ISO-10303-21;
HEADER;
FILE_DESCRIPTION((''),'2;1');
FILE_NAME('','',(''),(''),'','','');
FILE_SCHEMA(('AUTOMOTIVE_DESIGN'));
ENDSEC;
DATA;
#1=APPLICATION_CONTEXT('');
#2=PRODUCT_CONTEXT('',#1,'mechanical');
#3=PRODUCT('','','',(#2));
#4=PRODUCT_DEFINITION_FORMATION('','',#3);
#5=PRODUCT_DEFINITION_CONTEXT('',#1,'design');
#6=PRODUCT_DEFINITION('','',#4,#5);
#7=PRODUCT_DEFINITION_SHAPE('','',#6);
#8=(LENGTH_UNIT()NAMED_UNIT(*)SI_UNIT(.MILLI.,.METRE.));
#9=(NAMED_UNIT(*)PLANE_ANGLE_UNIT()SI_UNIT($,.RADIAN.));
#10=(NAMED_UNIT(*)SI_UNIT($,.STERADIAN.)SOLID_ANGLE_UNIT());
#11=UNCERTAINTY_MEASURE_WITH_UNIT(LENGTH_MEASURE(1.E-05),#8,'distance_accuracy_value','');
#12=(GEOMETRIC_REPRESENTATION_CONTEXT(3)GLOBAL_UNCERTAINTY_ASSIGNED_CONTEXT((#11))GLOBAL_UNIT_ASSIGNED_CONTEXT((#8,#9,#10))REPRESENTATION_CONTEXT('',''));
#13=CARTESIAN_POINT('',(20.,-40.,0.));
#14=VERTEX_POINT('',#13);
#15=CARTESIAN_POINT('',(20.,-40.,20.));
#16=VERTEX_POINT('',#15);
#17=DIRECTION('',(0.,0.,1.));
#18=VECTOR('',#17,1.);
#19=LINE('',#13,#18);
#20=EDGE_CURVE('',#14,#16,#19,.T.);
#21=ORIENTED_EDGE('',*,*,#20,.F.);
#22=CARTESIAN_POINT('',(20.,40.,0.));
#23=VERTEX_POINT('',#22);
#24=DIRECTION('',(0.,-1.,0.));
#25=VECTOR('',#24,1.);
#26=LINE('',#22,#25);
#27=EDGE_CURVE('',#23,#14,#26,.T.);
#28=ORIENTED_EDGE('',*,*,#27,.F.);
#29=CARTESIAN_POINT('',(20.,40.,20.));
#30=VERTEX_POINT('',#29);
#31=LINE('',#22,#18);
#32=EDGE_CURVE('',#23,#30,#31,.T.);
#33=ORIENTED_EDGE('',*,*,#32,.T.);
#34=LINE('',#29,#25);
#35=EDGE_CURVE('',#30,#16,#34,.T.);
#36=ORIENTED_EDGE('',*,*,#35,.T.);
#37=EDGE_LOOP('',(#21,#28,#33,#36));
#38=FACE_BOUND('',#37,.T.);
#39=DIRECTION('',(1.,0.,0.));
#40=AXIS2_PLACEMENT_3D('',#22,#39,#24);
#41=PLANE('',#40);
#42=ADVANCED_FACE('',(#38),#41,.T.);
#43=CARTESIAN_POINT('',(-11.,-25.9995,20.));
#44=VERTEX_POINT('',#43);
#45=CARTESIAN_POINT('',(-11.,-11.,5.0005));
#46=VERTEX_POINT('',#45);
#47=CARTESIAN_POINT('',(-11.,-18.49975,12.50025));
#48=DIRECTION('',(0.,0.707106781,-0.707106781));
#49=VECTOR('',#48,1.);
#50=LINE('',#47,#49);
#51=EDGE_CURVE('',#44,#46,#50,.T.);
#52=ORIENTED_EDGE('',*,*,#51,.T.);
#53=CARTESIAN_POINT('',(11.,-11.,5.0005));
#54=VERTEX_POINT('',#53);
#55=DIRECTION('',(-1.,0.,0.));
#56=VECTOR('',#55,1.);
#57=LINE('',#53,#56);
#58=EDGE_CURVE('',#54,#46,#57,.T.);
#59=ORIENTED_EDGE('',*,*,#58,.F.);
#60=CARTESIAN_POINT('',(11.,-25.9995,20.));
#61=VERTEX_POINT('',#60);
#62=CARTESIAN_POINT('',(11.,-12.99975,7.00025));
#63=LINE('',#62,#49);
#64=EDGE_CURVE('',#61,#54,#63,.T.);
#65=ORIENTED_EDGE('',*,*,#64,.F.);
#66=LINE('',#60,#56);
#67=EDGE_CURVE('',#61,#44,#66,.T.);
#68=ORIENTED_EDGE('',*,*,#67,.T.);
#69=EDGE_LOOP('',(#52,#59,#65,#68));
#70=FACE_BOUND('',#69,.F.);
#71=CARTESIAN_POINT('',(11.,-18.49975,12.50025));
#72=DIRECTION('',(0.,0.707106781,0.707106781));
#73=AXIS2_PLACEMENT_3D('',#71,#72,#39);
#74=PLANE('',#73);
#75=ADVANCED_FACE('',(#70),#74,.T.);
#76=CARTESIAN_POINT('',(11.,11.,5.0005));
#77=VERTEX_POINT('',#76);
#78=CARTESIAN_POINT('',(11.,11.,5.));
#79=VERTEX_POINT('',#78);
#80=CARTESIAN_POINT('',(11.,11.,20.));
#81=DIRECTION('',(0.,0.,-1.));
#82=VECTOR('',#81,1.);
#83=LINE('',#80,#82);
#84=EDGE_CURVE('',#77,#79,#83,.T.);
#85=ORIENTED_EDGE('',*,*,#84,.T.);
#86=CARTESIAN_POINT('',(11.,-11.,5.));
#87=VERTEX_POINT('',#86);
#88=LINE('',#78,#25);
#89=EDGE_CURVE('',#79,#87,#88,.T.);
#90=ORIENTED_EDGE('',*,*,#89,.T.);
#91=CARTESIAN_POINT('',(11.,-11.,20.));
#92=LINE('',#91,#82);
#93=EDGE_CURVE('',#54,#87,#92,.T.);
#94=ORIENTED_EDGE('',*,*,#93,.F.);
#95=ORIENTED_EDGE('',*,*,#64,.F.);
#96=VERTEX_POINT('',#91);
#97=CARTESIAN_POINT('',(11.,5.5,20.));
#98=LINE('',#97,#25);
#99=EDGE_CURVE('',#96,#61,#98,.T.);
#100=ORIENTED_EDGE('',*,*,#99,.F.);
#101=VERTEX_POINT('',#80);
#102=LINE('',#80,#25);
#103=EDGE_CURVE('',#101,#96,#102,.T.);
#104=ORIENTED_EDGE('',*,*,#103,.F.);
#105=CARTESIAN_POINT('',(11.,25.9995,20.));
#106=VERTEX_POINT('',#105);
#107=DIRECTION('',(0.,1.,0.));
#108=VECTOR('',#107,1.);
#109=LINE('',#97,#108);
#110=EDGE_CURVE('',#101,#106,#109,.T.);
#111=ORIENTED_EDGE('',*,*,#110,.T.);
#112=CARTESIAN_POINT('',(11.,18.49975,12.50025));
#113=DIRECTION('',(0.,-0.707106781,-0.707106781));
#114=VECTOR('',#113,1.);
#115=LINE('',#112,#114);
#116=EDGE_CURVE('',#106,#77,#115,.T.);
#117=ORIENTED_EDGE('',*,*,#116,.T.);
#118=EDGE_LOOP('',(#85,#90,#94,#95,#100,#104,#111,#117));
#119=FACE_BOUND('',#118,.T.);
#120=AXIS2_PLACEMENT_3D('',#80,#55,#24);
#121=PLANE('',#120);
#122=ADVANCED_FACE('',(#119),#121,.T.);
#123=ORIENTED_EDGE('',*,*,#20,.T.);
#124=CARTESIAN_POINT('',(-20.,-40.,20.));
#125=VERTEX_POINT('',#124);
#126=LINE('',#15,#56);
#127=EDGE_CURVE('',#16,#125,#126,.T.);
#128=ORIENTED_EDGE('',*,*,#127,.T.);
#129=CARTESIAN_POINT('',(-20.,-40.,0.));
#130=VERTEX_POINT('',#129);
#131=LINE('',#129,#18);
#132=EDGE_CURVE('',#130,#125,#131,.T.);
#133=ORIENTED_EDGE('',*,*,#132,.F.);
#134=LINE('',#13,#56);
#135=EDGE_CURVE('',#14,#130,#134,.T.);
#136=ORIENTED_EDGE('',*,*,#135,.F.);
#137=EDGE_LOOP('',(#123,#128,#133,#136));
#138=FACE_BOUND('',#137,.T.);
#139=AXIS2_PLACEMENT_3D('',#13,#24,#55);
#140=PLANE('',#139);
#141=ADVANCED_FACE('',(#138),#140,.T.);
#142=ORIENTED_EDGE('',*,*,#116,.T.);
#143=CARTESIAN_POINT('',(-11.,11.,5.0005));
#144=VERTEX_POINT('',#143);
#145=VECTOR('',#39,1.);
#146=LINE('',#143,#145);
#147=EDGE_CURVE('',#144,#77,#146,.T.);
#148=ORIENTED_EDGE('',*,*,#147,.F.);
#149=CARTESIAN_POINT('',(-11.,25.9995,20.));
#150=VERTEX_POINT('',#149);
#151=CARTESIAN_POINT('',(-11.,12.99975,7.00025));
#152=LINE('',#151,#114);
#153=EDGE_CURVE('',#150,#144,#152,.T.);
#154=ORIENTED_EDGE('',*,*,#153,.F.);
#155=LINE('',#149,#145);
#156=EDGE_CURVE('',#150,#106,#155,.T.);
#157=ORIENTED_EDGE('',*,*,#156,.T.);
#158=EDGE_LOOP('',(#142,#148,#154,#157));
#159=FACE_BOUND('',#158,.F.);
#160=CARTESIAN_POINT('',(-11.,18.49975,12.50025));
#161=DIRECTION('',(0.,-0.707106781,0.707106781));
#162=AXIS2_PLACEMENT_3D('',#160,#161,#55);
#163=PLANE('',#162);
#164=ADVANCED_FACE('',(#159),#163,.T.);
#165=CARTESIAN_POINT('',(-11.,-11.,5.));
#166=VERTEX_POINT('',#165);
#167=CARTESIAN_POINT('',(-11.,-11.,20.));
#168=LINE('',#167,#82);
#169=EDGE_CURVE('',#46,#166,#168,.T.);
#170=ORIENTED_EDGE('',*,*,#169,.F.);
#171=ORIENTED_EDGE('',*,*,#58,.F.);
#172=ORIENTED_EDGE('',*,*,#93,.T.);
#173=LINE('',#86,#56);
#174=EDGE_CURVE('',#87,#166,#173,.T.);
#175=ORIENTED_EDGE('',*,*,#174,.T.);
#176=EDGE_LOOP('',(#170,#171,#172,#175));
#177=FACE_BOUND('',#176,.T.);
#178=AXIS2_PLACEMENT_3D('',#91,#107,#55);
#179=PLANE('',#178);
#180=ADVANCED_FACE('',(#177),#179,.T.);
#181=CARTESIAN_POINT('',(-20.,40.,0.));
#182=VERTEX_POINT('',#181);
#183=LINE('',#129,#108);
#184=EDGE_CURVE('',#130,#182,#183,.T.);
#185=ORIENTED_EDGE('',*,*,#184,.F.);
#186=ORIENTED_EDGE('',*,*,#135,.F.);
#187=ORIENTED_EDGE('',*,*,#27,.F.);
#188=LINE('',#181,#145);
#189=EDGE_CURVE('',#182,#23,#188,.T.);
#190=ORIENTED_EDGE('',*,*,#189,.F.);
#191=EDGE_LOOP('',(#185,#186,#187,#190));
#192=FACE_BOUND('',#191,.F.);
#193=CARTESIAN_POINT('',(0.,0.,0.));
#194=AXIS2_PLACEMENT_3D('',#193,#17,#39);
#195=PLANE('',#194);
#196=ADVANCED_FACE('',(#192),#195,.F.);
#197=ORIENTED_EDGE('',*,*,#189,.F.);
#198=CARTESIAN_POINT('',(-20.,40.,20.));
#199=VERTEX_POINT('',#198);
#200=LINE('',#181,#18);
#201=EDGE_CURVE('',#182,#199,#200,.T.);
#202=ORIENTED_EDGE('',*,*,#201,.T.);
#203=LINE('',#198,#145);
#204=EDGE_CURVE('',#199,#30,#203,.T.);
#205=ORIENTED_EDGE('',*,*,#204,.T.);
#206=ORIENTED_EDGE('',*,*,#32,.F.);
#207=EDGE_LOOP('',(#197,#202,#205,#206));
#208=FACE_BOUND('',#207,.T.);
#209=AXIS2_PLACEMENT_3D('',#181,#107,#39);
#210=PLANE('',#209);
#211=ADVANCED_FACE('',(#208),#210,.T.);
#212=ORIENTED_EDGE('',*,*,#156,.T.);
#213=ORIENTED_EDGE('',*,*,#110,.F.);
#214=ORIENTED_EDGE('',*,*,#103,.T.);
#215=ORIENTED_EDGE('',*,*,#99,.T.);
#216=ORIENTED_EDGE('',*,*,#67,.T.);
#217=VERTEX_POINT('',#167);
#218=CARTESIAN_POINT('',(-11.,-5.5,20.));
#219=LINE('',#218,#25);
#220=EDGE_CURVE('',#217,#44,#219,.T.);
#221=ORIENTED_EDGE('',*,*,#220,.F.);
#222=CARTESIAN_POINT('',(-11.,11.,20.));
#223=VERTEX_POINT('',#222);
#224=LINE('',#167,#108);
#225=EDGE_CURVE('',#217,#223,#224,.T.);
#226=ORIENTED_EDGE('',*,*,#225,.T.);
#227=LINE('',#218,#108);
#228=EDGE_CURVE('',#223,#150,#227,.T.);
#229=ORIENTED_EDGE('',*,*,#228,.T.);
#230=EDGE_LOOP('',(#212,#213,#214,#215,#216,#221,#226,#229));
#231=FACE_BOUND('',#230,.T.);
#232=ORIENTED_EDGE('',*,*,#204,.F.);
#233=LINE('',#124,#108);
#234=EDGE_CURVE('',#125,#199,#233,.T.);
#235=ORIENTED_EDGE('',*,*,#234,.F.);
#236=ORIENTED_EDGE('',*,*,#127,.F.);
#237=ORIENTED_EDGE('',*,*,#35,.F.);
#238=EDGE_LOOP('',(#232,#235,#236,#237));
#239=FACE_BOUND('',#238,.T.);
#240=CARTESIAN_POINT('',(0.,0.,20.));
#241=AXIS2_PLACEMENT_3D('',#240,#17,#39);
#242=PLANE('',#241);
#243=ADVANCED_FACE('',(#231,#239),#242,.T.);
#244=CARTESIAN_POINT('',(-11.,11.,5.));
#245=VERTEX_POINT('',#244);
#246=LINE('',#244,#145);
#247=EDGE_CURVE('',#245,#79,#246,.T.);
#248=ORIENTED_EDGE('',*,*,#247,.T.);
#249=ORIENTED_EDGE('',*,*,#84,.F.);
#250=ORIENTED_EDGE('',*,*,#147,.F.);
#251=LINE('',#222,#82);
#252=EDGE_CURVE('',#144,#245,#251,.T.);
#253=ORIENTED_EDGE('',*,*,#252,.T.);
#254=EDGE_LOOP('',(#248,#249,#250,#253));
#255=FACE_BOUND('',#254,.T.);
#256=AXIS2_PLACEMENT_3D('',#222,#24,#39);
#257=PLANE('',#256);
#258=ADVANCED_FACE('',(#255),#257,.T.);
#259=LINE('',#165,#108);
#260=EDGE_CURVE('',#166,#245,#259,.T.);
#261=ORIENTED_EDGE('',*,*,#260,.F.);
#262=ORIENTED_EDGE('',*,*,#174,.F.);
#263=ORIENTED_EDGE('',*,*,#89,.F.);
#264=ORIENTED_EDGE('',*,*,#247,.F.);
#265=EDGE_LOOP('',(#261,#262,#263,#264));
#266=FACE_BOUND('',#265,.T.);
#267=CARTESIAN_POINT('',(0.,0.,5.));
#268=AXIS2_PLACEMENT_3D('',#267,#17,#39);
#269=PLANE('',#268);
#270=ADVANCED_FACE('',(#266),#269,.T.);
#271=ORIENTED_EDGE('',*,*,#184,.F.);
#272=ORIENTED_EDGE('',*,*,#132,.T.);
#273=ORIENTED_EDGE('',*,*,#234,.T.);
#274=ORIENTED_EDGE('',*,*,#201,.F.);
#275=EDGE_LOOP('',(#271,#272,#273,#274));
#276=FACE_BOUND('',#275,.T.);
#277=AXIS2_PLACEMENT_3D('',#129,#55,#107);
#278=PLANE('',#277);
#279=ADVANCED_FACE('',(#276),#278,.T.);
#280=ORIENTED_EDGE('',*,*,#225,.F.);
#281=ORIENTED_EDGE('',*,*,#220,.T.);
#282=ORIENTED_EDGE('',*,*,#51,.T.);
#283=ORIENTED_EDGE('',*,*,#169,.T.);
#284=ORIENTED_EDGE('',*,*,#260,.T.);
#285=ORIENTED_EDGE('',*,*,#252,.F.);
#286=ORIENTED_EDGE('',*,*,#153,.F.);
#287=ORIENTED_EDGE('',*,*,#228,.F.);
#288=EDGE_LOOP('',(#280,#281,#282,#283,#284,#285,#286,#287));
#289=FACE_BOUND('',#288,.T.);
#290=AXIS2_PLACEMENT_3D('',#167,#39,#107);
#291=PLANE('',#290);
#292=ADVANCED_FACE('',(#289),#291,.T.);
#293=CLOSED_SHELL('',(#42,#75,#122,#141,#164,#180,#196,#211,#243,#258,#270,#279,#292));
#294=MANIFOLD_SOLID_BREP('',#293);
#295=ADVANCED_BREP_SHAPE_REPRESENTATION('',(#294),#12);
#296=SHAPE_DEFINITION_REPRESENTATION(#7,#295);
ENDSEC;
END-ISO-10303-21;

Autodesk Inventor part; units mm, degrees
ref_plane "YZ Plane" through (0, 0, 0) normal (1, 0, 0) x (0, 1, 0)
ref_plane "XZ Plane" through (0, 0, 0) normal (0, 1, 0) x (-1, 0, 0)
ref_plane "XY Plane" through (0, 0, 0) normal (0, 0, 1) x (1, 0, 0)
sketch "Sketch1" plane through (0, 0, 0) normal (0, 0, 1) x (1, 0, 0)
  line L0 (-20, 40) -> (20, 40)
  line L1 (20, 40) -> (20, -40)
  line L2 (20, -40) -> (-20, -40)
  line L3 (-20, -40) -> (-20, 40)
  line L4 (0, 0) -> (10, 0) construction
  line L5 (0, 0) -> (0, -10) construction
  dimension "d0" = 40
  dimension "d1" = 80
  dimension "d2" = 10
  dimension "d3" = 10
extrude "Extrusion1" add sketch "Sketch1" along normal blind 20
sketch "Sketch2" plane through (0, 0, 20) normal (0, 0, 1) x (1, 0, 0)
  line L0 (0, 0) -> (0, 10) construction
  line L1 (0, 0) -> (10, 0) construction
  line L2 (-11, 11) -> (11, 11)
  line L3 (11, 11) -> (11, -11)
  line L4 (11, -11) -> (-11, -11)
  line L5 (-11, -11) -> (-11, 11)
  dimension "d6" = 10
  dimension "d7" = 10
  dimension "d8" = 22
  dimension "d9" = 22
extrude "Extrusion2" cut sketch "Sketch2" against normal blind 15
chamfer "Chamfer1" distance 15 angle 45 1 edges at (0, -11, 20)
chamfer "Chamfer2" distance 15 angle 45 1 edges at (0, 11, 20)
properties part number "rod_socket"
